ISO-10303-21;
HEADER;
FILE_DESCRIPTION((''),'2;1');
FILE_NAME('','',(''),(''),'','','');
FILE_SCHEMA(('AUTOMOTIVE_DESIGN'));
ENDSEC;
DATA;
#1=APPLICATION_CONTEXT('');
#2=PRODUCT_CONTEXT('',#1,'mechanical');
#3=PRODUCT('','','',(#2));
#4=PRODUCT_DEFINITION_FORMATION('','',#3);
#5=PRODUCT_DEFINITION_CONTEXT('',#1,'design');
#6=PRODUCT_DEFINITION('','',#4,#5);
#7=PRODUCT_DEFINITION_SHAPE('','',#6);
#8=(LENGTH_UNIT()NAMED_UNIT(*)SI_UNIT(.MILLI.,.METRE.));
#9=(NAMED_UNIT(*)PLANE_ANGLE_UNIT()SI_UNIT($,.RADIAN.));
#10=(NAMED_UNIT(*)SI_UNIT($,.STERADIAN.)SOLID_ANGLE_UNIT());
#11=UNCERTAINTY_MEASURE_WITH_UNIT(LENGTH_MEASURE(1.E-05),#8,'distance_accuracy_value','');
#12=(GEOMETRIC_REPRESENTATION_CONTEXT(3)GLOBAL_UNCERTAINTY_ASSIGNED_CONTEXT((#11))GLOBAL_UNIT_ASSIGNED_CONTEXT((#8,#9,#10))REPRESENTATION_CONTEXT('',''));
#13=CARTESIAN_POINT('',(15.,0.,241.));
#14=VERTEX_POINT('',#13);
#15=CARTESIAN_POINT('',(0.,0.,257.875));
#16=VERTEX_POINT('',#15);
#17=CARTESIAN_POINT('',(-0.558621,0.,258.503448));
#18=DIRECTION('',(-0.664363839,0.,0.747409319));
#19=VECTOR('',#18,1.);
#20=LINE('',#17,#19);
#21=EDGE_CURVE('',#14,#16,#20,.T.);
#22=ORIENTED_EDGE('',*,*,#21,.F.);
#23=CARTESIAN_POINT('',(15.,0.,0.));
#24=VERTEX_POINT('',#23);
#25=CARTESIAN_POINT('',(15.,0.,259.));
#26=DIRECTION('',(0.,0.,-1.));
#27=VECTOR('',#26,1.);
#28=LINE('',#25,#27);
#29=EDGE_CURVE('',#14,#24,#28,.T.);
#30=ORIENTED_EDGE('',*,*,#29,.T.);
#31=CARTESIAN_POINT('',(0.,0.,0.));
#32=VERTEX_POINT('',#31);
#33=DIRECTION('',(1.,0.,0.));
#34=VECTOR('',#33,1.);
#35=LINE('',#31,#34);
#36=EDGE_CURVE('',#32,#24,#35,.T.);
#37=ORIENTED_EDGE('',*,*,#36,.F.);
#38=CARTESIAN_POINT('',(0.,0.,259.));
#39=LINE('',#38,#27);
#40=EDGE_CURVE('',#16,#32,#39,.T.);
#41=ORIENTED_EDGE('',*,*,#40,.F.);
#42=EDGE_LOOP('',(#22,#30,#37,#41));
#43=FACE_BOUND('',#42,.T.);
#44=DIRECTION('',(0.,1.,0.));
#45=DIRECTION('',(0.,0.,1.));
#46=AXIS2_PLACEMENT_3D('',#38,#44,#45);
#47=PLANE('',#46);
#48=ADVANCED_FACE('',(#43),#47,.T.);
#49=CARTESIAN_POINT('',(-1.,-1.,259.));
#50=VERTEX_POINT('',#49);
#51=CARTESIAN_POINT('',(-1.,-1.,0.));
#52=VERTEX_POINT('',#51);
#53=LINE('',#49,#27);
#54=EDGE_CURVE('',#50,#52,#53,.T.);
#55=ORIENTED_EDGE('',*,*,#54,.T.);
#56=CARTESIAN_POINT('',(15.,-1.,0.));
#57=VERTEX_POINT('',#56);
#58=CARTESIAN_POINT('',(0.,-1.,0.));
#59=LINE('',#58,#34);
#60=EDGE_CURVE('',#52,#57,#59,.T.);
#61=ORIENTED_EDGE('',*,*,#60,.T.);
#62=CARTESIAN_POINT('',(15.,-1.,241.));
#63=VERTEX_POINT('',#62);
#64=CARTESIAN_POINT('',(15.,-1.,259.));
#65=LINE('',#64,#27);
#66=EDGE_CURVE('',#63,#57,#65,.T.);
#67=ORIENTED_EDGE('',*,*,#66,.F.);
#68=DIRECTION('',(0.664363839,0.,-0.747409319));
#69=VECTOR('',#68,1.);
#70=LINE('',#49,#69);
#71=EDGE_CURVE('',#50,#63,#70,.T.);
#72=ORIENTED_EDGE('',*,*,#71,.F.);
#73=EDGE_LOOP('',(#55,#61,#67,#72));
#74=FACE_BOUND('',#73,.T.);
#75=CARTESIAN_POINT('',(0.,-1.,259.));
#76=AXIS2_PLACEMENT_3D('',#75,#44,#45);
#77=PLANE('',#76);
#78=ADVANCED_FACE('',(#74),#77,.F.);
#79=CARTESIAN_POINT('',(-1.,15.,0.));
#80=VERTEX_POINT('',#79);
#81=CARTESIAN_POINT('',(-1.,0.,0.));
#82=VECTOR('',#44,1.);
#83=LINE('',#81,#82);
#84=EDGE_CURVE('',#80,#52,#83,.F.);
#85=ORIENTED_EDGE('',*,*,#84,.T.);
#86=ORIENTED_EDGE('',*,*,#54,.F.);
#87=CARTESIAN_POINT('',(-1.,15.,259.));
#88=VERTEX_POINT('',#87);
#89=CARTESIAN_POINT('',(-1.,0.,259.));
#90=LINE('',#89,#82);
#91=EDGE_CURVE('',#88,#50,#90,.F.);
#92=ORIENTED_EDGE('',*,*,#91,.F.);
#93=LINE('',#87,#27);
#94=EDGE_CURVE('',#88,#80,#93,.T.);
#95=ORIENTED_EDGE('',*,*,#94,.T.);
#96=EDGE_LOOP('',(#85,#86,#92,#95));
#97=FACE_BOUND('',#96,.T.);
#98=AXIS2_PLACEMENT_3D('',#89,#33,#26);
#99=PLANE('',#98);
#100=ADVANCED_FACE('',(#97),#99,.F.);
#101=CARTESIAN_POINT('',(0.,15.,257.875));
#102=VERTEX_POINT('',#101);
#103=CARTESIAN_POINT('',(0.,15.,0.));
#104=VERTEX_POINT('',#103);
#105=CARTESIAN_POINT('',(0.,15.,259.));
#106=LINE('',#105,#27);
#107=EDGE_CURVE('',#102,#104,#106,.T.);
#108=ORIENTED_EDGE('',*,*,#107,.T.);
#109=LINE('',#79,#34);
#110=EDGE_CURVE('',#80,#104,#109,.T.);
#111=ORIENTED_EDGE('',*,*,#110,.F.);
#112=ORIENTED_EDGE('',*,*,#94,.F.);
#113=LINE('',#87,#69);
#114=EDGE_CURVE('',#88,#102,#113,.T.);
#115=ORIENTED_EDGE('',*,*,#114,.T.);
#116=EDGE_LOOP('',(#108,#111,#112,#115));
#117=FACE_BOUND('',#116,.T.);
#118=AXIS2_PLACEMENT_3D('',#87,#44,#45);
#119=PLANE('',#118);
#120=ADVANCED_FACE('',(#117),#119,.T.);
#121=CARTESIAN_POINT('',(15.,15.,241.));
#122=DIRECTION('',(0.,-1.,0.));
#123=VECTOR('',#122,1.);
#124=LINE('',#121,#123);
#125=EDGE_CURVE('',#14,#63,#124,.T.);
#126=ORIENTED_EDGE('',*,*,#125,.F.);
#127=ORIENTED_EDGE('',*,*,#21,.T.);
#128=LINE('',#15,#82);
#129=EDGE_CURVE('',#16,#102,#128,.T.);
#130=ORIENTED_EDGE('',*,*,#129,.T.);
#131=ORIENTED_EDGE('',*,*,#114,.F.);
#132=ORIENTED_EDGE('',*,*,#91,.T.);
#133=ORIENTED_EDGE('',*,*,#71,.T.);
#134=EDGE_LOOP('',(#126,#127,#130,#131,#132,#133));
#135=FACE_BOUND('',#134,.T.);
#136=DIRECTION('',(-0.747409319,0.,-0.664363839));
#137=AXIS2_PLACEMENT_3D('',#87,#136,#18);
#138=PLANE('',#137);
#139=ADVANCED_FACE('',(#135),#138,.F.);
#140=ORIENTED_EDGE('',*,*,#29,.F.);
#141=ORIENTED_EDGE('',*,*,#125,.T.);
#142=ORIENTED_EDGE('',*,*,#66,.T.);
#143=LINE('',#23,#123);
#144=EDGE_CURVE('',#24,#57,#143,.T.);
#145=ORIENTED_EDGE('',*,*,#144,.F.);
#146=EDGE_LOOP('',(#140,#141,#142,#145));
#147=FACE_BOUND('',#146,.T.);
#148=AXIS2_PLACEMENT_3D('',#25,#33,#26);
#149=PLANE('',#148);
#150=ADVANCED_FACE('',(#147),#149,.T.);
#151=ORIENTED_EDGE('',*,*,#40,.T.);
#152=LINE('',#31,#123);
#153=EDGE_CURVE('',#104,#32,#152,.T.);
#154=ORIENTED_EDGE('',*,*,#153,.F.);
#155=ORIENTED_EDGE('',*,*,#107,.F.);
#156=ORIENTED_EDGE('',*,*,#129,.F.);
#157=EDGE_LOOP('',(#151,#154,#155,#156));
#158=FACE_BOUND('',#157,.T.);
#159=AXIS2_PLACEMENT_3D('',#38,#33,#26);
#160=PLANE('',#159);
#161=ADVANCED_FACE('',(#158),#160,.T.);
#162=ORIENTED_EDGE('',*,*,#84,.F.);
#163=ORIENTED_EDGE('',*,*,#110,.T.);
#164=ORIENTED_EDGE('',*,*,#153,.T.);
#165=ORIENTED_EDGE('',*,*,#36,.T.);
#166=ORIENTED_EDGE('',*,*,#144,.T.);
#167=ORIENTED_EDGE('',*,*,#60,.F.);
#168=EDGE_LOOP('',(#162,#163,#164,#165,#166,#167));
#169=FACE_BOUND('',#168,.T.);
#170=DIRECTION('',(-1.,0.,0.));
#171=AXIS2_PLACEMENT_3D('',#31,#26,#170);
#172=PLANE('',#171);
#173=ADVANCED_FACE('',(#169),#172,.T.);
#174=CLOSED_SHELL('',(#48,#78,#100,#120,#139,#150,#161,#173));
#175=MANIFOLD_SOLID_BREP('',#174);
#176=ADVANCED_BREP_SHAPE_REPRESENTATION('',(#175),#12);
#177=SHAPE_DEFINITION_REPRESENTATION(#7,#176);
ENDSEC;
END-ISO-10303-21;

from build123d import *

# Parameters (mm, degrees)
EXTRUDE_THIN1_DEPTH = 259
CUT_EXTRUDE1_DEPTH  = 260.926912804


with BuildPart() as part:
    # Sketch1 → Extrude-Thin1 (new body)
    with BuildSketch(Plane.XY):
        Polygon((15, 0), (0, 0), (0, 15), (-1, 15), (-1, -1), (15, -1), align=None)
    extrude(amount=EXTRUDE_THIN1_DEPTH)

    # Sketch2 → Cut-Extrude1 (cut, through all)
    with BuildSketch(Plane(origin=(0, -1, 0), x_dir=(-1, 0, 0), z_dir=(0, -1, 0))):
        Polygon((1, -259), (-15, -241), (-15, -259), align=None)
    extrude(amount=-CUT_EXTRUDE1_DEPTH, mode=Mode.SUBTRACT)


solid = part.part
